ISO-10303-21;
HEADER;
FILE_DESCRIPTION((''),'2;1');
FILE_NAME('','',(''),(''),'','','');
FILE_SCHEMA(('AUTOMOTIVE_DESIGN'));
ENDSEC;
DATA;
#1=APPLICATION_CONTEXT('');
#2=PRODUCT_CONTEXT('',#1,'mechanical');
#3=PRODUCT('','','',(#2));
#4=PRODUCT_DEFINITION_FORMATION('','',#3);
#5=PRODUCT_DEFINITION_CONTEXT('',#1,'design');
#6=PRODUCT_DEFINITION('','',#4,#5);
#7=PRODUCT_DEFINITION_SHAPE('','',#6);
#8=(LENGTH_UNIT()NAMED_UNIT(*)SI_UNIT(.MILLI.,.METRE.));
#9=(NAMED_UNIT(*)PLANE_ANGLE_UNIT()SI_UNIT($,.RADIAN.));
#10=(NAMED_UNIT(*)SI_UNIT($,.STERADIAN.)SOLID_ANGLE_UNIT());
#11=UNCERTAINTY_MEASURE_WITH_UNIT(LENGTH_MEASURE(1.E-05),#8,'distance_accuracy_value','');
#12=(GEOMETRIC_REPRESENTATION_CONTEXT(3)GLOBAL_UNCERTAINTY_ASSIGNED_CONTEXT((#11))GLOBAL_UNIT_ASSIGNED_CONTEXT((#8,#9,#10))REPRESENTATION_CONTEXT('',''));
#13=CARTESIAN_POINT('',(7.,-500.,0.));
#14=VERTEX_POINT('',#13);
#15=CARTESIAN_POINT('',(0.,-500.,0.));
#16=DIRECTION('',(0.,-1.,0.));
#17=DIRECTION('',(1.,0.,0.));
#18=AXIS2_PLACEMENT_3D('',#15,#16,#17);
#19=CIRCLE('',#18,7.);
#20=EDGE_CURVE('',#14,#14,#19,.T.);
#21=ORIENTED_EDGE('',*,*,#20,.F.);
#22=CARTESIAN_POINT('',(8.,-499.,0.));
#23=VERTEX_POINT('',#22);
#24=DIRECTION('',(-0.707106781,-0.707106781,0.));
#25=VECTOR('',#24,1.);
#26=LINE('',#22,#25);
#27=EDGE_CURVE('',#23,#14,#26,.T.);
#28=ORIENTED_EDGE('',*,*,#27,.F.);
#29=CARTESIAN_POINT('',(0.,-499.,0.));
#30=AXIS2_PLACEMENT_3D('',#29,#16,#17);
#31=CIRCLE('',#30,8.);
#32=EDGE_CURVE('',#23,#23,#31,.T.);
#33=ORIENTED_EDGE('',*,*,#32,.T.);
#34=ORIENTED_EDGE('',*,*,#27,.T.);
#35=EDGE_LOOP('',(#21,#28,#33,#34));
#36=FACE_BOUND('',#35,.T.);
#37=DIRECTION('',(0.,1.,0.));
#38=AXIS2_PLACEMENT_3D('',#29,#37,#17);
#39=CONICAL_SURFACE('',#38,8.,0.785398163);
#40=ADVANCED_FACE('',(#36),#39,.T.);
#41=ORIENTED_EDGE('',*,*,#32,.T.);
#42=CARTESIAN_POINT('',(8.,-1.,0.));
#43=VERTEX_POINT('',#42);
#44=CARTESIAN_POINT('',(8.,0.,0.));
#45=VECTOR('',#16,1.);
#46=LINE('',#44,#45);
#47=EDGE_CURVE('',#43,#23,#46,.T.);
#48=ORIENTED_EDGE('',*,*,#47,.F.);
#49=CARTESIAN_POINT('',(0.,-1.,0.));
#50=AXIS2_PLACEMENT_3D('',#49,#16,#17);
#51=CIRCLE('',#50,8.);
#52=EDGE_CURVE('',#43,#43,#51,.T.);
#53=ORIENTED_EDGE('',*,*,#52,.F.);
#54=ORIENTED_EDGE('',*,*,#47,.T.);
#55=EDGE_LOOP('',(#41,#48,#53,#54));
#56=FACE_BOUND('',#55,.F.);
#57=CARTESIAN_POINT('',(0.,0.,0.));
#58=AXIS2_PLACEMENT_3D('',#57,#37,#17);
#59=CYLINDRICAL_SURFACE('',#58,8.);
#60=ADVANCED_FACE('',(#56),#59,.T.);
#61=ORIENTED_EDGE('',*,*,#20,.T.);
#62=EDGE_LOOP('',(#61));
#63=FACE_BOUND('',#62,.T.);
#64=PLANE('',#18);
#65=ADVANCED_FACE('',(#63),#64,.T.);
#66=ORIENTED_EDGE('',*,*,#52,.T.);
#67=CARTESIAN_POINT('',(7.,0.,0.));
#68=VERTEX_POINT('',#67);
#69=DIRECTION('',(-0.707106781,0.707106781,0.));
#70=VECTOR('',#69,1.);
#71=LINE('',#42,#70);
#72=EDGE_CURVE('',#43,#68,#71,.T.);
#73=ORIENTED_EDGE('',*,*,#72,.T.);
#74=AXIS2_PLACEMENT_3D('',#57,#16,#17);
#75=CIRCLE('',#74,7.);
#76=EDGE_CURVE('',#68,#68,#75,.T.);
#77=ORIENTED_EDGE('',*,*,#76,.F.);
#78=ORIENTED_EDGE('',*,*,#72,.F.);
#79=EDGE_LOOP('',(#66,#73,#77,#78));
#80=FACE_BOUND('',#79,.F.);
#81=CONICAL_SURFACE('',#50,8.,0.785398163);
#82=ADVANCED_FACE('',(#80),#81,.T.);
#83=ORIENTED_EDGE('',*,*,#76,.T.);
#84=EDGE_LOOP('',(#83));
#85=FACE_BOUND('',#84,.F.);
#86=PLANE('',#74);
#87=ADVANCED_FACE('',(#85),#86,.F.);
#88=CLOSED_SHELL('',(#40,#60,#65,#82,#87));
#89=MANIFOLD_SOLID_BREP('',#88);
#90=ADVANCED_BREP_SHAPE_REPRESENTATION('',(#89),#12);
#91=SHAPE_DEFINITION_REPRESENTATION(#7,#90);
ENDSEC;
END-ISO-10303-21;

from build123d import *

# Parameters (mm, degrees)
SKETCH_R        = 8
PAD_DEPTH       = 500
CHAMFER_SIZE    = 1
CHAMFER001_SIZE = 1


with BuildPart() as part:
    # Sketch → Pad (new body)
    with BuildSketch(Plane.XZ):
        Circle(SKETCH_R)
    extrude(amount=PAD_DEPTH)

    # Chamfer
    chamfer_edges = [part.edges().sort_by_distance(p)[0] for p in [
        (-8, -500, 0),
    ]]
    chamfer(chamfer_edges, length=CHAMFER_SIZE)

    # Chamfer001
    chamfer001_edges = [part.edges().sort_by_distance(p)[0] for p in [
        (-8, 0, 0),
    ]]
    chamfer(chamfer001_edges, length=CHAMFER001_SIZE)


solid = part.part
